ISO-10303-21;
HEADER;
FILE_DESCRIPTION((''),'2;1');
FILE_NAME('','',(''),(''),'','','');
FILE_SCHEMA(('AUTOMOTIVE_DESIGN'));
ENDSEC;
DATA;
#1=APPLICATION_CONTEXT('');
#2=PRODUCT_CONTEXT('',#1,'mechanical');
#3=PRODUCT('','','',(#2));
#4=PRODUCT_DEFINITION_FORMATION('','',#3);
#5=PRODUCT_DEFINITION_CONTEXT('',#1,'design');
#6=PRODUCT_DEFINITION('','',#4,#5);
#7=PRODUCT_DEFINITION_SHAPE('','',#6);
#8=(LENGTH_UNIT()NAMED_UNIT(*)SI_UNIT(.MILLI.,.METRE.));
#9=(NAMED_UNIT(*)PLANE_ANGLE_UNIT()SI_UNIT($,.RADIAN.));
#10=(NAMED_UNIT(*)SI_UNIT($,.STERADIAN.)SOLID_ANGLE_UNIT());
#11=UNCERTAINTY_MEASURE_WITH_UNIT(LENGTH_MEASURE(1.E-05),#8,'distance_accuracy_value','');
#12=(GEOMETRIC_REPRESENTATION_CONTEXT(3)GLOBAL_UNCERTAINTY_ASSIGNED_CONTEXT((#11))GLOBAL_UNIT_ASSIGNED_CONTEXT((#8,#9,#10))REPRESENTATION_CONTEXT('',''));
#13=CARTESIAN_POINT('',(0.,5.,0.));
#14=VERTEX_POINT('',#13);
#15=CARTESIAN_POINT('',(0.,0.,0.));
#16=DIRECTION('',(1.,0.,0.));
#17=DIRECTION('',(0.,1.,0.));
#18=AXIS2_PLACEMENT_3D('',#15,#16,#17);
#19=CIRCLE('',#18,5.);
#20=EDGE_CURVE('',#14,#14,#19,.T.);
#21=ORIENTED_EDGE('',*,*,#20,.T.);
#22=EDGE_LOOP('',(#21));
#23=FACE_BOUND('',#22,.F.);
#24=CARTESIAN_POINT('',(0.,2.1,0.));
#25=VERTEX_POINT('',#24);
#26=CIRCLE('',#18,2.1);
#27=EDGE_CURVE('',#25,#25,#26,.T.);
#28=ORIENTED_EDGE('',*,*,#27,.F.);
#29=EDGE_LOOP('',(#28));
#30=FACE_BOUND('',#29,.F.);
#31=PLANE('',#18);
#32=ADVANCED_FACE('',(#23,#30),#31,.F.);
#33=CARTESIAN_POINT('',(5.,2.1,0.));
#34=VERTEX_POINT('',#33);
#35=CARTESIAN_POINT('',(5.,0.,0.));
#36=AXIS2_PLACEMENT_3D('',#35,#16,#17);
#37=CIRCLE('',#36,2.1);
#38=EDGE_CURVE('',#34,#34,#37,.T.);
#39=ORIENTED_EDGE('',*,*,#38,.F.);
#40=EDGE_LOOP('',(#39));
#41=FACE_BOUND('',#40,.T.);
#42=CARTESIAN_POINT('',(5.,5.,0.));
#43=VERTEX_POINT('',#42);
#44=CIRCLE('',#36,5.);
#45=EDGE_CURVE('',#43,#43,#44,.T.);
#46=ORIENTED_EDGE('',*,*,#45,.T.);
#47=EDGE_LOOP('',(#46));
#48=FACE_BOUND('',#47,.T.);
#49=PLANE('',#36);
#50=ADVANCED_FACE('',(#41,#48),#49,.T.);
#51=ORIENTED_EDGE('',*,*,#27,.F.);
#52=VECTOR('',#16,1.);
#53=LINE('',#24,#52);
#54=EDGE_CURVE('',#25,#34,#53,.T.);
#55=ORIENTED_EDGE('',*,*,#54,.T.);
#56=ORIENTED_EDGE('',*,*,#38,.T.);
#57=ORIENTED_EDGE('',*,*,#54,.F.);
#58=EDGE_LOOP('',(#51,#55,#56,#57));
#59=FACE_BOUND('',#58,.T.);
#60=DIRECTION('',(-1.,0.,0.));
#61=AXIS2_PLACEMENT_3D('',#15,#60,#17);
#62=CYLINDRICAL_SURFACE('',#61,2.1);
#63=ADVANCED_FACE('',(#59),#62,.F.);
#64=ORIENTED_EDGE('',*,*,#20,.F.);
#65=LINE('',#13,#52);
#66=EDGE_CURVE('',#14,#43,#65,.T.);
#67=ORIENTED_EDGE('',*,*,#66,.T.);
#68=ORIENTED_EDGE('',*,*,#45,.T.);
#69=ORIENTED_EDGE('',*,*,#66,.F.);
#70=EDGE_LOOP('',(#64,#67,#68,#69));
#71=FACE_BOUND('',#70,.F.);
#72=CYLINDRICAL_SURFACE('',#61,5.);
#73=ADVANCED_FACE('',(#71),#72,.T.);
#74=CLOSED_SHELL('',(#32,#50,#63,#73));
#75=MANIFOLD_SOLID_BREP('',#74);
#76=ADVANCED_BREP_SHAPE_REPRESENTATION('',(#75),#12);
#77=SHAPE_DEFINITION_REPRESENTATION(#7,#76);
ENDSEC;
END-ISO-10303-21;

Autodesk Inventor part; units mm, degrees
ref_plane "YZ Plane" through (0, 0, 0) normal (1, 0, 0) x (0, 1, 0)
ref_plane "XZ Plane" through (0, 0, 0) normal (0, 1, 0) x (-1, 0, 0)
ref_plane "XY Plane" through (0, 0, 0) normal (0, 0, 1) x (1, 0, 0)
sketch "Эскиз1" plane through (0, 0, 0) normal (1, 0, 0) x (0, 1, 0)
  circle A0 centre (0, 0) radius 5
  circle A1 centre (0, 0) radius 2.1
  dimension "d0" = 10
  dimension "d1" = 4.2
extrude "Выдавливание1" add sketch "Эскиз1" along normal blind 5
properties part number "проставка для мертвого"
